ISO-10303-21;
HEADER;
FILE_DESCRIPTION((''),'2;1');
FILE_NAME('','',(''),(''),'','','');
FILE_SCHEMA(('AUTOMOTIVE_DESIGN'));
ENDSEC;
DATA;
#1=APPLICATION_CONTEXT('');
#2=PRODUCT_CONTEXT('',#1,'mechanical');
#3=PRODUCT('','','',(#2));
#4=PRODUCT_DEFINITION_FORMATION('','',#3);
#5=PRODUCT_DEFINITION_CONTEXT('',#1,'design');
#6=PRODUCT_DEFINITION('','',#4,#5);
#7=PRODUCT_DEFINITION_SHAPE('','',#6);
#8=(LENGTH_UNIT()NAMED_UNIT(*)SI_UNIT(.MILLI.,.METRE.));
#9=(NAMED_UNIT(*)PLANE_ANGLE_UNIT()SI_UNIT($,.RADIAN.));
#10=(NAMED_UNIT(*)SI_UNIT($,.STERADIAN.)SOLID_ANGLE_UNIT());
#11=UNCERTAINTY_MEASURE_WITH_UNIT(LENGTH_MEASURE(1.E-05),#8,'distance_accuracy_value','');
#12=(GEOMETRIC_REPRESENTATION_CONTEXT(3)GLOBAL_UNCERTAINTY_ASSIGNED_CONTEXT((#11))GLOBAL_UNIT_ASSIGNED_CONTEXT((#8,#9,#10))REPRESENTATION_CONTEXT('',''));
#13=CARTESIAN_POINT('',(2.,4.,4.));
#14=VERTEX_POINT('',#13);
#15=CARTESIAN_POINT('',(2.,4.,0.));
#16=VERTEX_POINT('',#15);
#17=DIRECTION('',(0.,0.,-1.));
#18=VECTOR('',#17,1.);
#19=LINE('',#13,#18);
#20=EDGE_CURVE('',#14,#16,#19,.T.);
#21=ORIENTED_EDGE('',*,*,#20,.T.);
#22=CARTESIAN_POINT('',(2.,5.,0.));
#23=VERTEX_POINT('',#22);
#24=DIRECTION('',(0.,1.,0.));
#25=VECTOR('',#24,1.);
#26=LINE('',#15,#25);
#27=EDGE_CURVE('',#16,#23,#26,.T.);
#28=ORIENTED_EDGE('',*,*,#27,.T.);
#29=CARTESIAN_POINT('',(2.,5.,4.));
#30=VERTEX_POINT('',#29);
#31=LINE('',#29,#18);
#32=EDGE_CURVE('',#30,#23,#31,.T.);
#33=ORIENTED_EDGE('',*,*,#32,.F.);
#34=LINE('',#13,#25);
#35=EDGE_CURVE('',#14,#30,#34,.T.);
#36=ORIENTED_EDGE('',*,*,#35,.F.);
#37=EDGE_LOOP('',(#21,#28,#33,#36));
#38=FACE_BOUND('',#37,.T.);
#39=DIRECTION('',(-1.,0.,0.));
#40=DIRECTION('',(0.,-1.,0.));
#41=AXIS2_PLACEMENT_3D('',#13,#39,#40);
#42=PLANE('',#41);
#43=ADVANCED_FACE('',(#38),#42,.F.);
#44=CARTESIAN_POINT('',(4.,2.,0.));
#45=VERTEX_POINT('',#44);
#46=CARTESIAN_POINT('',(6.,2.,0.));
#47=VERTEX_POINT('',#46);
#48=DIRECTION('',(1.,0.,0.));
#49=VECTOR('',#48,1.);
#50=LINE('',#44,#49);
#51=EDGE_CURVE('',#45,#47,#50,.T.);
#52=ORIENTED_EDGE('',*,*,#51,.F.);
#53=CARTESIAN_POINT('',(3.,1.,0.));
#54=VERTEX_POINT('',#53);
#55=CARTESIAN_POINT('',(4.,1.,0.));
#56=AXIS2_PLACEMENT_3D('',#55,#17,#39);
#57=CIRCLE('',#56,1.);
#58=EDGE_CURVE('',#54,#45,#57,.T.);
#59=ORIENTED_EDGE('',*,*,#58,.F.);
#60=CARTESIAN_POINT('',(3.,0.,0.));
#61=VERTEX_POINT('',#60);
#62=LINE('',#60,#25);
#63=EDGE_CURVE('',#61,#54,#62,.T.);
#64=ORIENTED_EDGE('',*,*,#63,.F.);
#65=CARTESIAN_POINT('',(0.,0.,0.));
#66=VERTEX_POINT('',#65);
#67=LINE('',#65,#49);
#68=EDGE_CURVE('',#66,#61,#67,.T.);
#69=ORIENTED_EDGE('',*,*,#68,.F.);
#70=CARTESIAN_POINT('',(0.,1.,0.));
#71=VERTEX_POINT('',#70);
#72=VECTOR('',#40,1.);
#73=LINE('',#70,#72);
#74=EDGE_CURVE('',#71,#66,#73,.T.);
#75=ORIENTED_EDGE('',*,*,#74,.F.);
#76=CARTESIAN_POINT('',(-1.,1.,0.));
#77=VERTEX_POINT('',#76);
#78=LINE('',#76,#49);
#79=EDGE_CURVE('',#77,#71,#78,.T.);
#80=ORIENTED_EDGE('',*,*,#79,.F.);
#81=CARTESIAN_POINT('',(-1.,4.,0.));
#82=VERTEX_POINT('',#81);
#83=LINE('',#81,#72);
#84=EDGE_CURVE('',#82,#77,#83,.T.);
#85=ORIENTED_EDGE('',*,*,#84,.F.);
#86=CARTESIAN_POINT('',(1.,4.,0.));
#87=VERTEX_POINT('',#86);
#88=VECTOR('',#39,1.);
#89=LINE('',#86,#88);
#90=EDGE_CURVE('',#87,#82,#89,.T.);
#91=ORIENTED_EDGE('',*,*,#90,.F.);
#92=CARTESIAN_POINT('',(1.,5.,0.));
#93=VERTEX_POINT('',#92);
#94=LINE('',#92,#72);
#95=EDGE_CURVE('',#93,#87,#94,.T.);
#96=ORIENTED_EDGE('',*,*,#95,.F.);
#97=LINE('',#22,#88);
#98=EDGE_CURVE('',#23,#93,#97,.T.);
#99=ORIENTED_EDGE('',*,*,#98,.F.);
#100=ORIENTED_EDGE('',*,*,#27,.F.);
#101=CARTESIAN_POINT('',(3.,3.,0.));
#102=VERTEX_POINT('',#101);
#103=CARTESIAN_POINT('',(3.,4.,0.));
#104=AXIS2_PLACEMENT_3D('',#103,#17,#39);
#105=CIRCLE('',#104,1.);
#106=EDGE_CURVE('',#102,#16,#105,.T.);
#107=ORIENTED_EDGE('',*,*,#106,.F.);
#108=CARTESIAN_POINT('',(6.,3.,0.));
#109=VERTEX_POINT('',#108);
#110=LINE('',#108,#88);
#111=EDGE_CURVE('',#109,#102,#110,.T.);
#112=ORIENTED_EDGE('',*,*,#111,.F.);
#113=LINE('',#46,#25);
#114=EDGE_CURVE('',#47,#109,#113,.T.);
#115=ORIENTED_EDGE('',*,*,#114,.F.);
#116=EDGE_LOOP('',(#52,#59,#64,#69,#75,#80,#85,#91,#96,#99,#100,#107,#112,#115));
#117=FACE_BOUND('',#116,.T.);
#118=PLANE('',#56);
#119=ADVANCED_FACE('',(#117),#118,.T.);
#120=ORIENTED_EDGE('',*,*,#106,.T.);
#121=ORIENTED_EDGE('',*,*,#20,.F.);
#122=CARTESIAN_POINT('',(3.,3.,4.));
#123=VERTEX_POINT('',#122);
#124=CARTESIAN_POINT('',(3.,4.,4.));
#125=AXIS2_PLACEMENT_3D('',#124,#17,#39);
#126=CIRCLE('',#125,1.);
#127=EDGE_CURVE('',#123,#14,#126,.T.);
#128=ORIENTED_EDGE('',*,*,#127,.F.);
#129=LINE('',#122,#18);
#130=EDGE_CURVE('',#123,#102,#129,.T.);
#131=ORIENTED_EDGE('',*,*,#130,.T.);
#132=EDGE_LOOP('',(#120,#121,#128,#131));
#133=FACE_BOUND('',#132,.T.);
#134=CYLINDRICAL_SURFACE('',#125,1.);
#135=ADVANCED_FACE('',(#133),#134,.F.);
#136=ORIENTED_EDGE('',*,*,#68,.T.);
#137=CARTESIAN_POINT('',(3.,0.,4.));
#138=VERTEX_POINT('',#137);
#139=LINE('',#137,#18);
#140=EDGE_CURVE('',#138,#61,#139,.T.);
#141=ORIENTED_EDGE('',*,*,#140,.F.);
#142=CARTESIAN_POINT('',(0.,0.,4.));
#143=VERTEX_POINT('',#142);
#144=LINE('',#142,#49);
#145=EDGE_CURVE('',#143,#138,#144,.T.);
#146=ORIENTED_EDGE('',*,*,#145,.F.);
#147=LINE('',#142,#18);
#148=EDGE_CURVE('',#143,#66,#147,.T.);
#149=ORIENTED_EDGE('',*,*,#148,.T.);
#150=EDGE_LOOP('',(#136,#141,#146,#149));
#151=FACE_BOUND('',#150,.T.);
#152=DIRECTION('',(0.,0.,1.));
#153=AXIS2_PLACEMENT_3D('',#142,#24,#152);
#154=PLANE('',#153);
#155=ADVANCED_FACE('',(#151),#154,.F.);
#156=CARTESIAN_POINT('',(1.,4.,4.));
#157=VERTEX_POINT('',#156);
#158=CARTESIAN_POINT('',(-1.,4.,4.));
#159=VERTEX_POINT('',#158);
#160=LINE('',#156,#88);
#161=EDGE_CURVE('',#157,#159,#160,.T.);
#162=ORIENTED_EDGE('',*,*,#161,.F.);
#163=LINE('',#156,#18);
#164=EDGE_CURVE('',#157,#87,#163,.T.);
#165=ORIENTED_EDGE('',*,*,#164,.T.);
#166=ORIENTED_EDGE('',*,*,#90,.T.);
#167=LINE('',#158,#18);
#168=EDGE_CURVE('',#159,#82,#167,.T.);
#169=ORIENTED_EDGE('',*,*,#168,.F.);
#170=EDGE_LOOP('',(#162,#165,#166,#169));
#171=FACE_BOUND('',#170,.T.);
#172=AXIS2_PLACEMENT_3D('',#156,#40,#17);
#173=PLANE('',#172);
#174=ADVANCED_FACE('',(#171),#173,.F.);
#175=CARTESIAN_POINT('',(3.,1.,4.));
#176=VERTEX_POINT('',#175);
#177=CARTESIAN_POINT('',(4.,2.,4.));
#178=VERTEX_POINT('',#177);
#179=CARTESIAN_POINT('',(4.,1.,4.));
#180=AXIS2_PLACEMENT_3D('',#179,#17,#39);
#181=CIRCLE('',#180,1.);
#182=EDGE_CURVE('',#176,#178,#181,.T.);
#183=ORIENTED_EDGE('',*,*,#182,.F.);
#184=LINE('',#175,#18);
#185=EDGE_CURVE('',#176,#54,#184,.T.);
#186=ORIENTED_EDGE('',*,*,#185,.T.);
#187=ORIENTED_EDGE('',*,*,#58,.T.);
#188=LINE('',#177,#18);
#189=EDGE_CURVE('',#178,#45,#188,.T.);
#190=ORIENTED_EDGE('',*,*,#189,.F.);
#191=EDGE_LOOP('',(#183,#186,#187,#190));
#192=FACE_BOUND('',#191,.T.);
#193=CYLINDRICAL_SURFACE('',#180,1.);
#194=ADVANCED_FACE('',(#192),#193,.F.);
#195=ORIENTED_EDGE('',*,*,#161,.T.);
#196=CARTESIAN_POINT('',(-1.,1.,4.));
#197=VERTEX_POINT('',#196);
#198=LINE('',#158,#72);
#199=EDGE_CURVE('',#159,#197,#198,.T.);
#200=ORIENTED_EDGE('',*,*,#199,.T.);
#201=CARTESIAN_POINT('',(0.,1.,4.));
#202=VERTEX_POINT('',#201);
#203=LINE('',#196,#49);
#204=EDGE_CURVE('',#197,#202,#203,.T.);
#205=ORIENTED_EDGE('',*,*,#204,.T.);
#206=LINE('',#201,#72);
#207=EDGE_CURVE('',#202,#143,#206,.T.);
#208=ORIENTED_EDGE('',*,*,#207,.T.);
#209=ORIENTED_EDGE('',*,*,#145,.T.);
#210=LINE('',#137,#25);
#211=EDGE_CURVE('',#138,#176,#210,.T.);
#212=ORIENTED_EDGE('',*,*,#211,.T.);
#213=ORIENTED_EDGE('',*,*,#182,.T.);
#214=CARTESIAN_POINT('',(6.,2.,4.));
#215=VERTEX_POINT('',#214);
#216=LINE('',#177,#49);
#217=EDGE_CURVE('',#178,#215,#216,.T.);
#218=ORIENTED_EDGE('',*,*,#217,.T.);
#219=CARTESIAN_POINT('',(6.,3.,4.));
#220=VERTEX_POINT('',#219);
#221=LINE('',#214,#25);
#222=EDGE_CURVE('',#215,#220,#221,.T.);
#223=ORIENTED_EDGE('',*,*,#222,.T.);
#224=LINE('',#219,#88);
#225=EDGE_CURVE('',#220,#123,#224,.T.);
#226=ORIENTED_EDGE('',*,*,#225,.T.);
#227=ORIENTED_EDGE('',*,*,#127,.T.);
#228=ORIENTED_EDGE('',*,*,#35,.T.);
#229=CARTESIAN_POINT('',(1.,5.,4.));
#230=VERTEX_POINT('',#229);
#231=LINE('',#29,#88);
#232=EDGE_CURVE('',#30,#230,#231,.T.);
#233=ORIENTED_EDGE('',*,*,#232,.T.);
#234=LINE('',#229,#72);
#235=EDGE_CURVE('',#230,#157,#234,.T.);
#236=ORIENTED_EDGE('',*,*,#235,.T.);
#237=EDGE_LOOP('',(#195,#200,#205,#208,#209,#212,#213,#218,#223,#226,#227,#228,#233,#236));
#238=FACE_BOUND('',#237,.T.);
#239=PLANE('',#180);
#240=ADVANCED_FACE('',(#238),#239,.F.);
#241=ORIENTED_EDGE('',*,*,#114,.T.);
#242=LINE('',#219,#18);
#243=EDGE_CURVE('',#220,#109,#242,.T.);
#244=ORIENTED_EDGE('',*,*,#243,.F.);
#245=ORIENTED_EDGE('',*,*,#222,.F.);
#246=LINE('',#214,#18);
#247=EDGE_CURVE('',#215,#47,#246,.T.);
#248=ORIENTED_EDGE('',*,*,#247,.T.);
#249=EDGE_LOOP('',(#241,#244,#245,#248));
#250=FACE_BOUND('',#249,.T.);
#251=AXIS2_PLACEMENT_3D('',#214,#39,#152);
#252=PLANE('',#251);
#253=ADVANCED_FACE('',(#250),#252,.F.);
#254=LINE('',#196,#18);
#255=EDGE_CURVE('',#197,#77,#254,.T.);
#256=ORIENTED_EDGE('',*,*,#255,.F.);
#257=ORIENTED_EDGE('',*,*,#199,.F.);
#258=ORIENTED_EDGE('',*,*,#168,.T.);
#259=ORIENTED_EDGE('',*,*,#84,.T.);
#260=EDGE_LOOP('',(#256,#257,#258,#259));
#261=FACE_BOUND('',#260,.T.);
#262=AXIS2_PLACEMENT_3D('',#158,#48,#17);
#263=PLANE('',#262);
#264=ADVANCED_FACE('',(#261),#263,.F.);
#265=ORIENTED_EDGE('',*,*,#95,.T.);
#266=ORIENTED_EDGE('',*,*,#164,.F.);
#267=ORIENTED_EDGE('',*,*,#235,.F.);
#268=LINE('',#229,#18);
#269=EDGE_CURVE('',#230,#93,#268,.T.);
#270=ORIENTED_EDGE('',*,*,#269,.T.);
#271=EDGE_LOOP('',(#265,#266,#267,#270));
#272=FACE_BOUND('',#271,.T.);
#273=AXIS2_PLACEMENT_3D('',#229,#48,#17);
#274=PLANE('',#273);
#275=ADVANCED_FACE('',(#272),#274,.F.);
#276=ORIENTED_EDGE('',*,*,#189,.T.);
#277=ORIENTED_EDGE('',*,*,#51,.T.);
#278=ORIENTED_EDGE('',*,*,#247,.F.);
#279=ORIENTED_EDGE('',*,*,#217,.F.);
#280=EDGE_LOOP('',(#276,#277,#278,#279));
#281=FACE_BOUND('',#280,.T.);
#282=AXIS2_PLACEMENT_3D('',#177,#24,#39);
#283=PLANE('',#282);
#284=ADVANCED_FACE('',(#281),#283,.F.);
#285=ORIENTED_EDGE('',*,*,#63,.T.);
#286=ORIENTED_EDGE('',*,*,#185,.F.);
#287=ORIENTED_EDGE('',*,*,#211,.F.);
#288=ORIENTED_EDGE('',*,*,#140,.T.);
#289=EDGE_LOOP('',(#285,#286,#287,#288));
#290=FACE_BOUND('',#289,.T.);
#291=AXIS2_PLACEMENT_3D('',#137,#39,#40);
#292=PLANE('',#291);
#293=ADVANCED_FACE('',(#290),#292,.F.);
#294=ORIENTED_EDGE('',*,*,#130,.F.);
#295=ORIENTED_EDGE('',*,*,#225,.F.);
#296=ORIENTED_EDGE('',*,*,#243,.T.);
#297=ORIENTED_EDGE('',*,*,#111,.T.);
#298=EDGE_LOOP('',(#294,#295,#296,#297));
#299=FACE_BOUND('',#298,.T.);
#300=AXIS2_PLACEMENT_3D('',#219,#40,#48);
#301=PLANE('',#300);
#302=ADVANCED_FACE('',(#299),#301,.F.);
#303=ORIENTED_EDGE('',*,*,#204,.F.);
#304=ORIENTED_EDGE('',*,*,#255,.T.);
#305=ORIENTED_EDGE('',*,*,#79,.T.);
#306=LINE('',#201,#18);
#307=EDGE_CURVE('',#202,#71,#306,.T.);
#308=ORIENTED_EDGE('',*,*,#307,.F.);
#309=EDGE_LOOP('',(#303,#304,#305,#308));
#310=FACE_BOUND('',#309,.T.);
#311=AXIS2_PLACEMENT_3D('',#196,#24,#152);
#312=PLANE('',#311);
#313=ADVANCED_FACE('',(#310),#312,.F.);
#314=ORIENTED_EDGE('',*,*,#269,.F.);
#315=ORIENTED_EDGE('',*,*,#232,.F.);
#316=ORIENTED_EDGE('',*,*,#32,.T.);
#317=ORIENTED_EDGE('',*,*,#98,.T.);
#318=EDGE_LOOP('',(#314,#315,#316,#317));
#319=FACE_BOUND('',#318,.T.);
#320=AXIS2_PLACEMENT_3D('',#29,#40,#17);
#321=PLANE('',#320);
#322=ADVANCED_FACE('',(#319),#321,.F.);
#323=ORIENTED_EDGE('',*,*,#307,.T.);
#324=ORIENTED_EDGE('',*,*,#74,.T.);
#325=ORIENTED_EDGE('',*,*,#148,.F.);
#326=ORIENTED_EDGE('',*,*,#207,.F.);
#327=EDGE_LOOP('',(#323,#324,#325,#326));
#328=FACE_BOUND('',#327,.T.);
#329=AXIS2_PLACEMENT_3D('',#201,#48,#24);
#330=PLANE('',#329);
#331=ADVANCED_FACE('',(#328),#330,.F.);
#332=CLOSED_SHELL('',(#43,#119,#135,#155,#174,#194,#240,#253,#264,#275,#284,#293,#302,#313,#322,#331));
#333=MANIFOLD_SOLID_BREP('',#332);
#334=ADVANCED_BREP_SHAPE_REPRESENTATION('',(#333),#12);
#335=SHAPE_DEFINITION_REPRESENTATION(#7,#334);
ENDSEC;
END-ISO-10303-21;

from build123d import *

# Parameters (mm, degrees)
EXTRUDE_1_DEPTH = 4


with BuildPart() as part:
    # 草圖1 → 填料-伸長1 (new body)
    with BuildSketch(Plane.XY):
        with BuildLine():
            Line((0, 0), (3, 0))
            Line((3, 0), (3, 1))
            ThreePointArc((3, 1), (3.292893219, 1.707106781), (4, 2))
            Line((4, 2), (6, 2))
            Line((6, 2), (6, 3))
            Line((6, 3), (3, 3))
            ThreePointArc((3, 3), (2.292893219, 3.292893219), (2, 4))
            Line((2, 4), (2, 5))
            Line((2, 5), (1, 5))
            Line((1, 5), (1, 4))
            Line((1, 4), (-1, 4))
            Line((-1, 4), (-1, 1))
            Line((-1, 1), (0, 1))
            Line((0, 1), (0, 0))
        make_face()
    extrude(amount=EXTRUDE_1_DEPTH)


solid = part.part
